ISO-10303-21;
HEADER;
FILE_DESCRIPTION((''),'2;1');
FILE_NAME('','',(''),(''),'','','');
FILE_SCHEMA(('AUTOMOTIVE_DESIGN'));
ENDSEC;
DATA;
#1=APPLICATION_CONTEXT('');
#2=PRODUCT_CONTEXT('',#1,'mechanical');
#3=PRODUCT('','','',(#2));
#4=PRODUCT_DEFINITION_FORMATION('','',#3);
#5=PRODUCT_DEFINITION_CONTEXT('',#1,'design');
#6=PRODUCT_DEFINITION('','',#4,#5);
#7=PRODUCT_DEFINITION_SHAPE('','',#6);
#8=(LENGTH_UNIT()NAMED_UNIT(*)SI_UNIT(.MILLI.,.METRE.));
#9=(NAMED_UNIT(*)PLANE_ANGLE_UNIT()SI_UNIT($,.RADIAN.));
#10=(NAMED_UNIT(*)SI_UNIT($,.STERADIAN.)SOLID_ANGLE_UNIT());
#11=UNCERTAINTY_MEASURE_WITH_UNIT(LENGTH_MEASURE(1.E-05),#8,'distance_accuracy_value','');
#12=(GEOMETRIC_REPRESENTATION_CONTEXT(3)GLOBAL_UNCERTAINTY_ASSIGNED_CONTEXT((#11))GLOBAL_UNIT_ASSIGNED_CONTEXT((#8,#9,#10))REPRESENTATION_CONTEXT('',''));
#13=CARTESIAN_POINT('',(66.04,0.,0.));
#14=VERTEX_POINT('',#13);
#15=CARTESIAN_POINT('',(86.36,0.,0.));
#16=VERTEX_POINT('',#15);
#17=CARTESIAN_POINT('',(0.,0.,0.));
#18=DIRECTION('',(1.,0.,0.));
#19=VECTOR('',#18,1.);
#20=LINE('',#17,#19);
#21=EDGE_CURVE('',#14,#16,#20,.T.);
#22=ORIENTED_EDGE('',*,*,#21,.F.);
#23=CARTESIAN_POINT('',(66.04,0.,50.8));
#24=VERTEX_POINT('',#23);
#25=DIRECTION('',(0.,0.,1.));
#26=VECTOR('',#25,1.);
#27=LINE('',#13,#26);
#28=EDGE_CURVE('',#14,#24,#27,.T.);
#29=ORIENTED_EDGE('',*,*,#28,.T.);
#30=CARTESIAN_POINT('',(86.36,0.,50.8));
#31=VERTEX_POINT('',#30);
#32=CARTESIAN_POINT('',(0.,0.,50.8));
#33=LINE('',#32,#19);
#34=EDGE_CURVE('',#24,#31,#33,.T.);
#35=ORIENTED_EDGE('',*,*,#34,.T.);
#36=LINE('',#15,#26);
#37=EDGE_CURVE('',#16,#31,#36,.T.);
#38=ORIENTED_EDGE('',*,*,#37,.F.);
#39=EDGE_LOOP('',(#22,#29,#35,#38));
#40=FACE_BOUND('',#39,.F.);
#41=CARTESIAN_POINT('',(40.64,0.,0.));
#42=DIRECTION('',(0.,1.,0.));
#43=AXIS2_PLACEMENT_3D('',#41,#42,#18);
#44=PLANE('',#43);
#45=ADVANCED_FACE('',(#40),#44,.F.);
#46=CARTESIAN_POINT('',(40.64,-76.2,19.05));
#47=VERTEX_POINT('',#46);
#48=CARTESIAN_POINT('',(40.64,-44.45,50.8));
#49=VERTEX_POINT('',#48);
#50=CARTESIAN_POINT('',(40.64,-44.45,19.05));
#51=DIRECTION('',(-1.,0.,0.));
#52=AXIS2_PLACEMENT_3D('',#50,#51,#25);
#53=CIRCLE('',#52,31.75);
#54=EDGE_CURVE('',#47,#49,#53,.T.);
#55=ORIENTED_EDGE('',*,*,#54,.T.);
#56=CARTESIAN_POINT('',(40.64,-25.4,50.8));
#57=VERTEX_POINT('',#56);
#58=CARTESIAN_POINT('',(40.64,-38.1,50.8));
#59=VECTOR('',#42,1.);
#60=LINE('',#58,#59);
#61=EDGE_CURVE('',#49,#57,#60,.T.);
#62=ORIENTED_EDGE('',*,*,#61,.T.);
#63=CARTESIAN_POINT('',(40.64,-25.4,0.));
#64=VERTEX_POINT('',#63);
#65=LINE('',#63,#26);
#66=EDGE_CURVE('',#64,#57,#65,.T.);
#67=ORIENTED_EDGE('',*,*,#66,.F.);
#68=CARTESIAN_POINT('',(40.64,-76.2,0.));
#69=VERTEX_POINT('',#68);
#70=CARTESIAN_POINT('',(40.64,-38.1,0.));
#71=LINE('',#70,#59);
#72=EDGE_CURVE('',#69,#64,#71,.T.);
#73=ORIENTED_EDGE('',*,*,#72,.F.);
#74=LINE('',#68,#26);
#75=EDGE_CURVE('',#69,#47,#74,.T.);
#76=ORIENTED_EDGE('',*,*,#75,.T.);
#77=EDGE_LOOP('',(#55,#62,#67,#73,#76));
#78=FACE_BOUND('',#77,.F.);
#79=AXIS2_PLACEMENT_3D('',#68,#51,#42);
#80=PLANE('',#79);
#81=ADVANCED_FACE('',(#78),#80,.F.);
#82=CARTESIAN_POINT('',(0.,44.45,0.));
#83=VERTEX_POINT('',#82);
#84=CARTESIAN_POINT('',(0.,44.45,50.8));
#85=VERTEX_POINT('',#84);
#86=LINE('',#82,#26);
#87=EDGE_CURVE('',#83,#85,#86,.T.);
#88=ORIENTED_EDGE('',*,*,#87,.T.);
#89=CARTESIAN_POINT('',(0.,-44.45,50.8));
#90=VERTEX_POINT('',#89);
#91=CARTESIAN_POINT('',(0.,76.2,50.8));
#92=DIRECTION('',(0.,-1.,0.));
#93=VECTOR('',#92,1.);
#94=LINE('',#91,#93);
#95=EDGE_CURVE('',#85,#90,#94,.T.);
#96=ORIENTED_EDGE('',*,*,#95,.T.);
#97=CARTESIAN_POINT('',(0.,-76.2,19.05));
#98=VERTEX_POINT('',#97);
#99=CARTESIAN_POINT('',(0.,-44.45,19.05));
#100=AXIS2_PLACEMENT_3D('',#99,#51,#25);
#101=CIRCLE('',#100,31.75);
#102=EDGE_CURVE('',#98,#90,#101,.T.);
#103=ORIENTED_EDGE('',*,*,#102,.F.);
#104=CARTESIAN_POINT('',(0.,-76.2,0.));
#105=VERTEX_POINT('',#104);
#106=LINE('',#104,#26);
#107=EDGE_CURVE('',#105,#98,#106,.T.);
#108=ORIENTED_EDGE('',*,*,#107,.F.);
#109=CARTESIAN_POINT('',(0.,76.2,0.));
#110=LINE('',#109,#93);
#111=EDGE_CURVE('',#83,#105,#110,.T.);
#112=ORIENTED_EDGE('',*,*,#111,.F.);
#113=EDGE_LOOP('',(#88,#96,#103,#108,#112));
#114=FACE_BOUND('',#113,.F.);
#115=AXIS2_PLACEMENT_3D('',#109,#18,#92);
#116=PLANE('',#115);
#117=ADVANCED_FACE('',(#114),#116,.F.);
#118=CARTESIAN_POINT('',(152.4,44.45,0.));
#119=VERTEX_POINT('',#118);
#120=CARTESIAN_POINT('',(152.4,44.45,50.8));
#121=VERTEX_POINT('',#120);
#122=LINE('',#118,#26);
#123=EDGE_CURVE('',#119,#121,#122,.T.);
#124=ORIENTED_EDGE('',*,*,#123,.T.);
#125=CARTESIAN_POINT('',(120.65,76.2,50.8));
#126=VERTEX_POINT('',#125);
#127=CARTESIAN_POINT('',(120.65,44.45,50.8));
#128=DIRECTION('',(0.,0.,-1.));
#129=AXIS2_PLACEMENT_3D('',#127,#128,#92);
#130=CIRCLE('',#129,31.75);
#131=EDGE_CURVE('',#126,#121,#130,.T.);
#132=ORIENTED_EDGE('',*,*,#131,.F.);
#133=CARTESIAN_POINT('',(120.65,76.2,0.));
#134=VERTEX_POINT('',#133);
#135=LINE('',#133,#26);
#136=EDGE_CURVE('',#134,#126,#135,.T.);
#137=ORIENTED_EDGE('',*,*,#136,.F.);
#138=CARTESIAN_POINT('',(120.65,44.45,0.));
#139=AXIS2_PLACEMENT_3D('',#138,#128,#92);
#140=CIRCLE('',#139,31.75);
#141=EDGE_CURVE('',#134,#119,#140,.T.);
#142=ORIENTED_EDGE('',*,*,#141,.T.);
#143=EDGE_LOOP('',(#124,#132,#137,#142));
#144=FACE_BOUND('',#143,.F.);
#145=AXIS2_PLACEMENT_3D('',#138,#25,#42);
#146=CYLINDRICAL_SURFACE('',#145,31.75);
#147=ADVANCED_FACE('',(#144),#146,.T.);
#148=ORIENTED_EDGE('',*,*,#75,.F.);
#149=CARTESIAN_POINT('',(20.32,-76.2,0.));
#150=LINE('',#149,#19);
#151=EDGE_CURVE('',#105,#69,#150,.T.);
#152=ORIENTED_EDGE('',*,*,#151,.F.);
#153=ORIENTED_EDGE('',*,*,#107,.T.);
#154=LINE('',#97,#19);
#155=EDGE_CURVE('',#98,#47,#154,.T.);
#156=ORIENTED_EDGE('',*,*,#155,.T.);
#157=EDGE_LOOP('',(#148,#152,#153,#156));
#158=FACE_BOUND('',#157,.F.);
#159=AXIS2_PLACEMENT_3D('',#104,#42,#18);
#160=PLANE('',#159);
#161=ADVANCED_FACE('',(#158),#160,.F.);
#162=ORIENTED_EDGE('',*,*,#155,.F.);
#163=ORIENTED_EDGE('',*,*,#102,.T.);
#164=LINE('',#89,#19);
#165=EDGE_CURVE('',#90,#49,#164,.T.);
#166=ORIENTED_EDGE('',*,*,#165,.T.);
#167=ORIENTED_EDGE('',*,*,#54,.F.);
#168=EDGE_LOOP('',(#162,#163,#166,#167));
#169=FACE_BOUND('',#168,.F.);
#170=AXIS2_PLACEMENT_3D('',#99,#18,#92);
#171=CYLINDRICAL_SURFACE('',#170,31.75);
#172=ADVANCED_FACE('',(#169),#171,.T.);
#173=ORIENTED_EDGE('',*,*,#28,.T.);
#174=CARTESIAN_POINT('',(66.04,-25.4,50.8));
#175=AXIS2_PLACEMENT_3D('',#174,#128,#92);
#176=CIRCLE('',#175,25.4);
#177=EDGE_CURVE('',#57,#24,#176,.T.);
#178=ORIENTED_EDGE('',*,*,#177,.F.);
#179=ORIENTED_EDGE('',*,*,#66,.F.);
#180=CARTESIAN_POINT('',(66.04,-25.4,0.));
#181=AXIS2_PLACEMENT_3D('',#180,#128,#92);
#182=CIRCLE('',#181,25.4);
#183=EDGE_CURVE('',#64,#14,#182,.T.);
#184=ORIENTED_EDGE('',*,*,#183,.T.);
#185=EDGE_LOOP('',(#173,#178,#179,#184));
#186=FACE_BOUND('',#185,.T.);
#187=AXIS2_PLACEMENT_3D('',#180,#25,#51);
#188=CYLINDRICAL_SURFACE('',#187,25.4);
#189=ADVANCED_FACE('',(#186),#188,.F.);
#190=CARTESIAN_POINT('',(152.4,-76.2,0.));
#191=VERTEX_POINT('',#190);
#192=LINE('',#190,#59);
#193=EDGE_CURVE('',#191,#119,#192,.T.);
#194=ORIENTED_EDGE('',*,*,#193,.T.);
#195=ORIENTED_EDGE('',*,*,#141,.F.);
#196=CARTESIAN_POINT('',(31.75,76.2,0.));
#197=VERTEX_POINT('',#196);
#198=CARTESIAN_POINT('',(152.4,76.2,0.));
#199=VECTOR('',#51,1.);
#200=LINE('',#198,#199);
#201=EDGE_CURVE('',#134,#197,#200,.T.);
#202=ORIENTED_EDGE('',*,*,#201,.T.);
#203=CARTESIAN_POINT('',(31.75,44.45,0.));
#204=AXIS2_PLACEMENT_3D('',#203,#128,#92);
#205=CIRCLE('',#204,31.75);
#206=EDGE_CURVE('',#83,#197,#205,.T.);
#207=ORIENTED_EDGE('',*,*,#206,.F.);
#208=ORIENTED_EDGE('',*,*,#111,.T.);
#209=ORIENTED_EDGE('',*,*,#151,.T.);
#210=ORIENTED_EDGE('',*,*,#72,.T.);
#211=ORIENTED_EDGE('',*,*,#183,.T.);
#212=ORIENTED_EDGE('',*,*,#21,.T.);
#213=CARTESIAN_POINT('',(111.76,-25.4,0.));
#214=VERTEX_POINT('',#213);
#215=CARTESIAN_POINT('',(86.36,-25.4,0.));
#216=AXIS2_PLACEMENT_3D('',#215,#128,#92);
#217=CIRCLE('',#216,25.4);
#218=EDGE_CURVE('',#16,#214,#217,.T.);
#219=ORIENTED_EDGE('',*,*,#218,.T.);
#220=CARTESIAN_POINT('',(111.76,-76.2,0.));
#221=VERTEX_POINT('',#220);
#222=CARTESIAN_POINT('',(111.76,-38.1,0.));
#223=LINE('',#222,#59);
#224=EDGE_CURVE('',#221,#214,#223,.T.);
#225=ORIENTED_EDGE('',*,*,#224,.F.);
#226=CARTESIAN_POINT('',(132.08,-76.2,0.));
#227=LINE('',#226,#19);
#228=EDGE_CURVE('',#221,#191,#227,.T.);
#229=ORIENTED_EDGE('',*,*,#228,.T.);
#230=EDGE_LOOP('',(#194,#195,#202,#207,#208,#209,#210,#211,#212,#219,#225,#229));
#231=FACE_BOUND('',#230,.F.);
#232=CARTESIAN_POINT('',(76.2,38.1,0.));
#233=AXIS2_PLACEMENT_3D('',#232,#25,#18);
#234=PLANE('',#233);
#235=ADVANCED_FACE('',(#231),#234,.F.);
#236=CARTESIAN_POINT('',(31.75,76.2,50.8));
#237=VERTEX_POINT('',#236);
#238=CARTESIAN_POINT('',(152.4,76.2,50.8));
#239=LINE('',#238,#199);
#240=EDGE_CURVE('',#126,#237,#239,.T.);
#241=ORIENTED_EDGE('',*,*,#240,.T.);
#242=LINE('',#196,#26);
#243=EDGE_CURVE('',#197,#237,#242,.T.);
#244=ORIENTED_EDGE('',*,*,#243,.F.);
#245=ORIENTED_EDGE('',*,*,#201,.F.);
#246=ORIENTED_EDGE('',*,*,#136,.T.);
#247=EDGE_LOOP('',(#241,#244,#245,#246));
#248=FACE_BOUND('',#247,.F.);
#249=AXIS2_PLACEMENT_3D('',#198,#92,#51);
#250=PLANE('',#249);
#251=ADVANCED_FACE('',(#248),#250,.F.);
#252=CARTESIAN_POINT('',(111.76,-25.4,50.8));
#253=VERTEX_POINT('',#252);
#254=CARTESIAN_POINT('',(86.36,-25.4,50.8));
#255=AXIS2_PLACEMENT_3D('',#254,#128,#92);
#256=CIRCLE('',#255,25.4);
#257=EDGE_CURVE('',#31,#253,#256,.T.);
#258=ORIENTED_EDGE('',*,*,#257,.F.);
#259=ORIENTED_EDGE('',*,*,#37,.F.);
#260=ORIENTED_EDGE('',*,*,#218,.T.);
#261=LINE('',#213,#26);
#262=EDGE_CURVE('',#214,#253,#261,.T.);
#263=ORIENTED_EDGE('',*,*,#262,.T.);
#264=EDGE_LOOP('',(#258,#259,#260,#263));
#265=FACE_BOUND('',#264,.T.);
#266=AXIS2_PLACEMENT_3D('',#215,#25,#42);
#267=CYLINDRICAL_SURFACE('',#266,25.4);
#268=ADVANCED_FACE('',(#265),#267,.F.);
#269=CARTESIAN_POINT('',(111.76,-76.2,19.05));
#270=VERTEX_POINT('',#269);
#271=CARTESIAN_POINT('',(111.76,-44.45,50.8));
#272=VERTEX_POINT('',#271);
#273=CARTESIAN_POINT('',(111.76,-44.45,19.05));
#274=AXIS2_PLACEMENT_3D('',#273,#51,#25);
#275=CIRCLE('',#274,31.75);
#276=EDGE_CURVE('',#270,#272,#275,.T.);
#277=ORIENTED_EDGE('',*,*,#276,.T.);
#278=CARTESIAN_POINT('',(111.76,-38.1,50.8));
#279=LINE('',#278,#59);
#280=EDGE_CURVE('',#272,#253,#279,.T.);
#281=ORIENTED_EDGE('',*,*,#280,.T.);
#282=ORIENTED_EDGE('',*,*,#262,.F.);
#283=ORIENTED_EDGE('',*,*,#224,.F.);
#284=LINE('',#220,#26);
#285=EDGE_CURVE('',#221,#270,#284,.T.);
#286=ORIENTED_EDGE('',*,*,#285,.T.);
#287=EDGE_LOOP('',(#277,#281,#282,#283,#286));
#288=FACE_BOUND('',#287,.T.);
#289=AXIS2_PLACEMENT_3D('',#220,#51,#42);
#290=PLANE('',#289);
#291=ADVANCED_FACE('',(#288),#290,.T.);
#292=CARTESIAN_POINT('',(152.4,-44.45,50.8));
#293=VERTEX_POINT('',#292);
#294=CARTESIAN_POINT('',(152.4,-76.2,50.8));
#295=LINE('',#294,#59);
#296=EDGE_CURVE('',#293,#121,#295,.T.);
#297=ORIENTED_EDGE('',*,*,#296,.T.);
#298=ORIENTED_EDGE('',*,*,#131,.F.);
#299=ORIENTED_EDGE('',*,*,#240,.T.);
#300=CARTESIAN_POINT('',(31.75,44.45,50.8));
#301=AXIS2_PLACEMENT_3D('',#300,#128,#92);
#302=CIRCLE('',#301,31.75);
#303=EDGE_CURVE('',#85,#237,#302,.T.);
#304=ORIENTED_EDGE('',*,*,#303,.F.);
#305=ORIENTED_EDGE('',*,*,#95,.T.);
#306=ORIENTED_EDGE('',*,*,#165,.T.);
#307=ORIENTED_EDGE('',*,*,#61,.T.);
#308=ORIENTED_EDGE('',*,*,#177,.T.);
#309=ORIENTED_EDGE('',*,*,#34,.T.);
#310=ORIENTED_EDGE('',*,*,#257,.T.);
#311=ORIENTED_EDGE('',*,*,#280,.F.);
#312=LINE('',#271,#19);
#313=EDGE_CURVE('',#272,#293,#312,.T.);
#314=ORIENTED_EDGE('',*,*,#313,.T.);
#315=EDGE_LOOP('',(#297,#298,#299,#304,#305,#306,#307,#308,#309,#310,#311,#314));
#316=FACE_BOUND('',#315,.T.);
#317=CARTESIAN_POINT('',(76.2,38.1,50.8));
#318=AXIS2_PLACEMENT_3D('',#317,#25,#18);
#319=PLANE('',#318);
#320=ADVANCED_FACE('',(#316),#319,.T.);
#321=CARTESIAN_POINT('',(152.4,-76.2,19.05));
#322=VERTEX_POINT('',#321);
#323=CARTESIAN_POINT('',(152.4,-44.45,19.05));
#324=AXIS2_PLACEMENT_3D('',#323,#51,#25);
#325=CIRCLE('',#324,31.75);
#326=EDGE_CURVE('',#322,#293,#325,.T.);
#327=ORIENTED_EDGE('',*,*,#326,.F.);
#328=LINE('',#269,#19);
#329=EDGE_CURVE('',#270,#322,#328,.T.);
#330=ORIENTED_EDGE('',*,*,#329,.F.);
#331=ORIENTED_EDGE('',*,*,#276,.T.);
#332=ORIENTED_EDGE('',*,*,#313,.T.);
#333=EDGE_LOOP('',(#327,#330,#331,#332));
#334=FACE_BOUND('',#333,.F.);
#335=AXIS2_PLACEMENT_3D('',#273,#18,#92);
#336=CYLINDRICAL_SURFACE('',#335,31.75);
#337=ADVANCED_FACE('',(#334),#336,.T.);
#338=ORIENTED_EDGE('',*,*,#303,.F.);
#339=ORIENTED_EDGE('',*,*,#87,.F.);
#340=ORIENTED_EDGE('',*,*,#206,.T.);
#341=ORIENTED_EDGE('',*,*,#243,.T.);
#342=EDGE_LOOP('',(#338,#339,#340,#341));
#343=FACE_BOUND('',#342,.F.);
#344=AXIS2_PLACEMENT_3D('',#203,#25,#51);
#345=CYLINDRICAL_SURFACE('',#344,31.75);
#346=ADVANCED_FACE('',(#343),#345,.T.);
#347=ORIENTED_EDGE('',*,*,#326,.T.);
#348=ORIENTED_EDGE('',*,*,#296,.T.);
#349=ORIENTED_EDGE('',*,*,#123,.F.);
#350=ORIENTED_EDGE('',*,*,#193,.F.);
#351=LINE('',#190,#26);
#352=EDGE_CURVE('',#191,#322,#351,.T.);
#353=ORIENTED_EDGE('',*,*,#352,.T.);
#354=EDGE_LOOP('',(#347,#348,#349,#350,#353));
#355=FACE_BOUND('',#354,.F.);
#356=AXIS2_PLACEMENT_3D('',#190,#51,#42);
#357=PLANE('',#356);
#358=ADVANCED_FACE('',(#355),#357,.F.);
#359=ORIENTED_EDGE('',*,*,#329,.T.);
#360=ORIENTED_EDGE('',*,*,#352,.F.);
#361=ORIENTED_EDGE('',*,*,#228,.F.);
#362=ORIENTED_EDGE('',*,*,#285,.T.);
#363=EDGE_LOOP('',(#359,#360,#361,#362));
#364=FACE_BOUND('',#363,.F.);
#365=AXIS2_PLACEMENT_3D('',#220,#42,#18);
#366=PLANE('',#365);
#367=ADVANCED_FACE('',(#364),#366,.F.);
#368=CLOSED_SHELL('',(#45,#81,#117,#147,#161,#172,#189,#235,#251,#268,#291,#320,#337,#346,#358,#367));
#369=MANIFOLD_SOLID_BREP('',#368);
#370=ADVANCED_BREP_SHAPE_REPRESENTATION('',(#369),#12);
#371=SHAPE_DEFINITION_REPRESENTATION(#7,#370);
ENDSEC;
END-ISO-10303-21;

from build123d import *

# Parameters (mm, degrees)
F0_W     = 40.64
F0_H     = 76.2
F1_DEPTH = 50.8
F2_R     = 31.75
F3_R     = 31.75
F4_R     = 25.4


with BuildPart() as f1:
    # F0 (on Top) → F1 (new body)
    with BuildSketch(Plane.XY):
        Polygon((0, 76.2), (0, 0), (40.64, 0), (111.76, 0), (152.4, 0), (152.4, 76.2), align=None)
        with Locations((20.32, -38.1)):
            Rectangle(F0_W, F0_H)
        with Locations((132.08, -38.1)):
            Rectangle(F0_W, F0_H)
    extrude(amount=F1_DEPTH)

    # F2
    f2_edges = [f1.edges().sort_by_distance(p)[0] for p in [
        (20.32, -76.2, 50.8),
        (132.08, -76.2, 50.8),
    ]]
    fillet(f2_edges, radius=F2_R)

    # F3
    f3_edges = [f1.edges().sort_by_distance(p)[0] for p in [
        (152.4, 76.2, 25.4),
        (0, 76.2, 25.4),
    ]]
    fillet(f3_edges, radius=F3_R)

    # F4
    f4_edges = [f1.edges().sort_by_distance(p)[0] for p in [
        (111.76, 0, 25.4),
        (40.64, 0, 25.4),
    ]]
    fillet(f4_edges, radius=F4_R)


solid = f1.part
